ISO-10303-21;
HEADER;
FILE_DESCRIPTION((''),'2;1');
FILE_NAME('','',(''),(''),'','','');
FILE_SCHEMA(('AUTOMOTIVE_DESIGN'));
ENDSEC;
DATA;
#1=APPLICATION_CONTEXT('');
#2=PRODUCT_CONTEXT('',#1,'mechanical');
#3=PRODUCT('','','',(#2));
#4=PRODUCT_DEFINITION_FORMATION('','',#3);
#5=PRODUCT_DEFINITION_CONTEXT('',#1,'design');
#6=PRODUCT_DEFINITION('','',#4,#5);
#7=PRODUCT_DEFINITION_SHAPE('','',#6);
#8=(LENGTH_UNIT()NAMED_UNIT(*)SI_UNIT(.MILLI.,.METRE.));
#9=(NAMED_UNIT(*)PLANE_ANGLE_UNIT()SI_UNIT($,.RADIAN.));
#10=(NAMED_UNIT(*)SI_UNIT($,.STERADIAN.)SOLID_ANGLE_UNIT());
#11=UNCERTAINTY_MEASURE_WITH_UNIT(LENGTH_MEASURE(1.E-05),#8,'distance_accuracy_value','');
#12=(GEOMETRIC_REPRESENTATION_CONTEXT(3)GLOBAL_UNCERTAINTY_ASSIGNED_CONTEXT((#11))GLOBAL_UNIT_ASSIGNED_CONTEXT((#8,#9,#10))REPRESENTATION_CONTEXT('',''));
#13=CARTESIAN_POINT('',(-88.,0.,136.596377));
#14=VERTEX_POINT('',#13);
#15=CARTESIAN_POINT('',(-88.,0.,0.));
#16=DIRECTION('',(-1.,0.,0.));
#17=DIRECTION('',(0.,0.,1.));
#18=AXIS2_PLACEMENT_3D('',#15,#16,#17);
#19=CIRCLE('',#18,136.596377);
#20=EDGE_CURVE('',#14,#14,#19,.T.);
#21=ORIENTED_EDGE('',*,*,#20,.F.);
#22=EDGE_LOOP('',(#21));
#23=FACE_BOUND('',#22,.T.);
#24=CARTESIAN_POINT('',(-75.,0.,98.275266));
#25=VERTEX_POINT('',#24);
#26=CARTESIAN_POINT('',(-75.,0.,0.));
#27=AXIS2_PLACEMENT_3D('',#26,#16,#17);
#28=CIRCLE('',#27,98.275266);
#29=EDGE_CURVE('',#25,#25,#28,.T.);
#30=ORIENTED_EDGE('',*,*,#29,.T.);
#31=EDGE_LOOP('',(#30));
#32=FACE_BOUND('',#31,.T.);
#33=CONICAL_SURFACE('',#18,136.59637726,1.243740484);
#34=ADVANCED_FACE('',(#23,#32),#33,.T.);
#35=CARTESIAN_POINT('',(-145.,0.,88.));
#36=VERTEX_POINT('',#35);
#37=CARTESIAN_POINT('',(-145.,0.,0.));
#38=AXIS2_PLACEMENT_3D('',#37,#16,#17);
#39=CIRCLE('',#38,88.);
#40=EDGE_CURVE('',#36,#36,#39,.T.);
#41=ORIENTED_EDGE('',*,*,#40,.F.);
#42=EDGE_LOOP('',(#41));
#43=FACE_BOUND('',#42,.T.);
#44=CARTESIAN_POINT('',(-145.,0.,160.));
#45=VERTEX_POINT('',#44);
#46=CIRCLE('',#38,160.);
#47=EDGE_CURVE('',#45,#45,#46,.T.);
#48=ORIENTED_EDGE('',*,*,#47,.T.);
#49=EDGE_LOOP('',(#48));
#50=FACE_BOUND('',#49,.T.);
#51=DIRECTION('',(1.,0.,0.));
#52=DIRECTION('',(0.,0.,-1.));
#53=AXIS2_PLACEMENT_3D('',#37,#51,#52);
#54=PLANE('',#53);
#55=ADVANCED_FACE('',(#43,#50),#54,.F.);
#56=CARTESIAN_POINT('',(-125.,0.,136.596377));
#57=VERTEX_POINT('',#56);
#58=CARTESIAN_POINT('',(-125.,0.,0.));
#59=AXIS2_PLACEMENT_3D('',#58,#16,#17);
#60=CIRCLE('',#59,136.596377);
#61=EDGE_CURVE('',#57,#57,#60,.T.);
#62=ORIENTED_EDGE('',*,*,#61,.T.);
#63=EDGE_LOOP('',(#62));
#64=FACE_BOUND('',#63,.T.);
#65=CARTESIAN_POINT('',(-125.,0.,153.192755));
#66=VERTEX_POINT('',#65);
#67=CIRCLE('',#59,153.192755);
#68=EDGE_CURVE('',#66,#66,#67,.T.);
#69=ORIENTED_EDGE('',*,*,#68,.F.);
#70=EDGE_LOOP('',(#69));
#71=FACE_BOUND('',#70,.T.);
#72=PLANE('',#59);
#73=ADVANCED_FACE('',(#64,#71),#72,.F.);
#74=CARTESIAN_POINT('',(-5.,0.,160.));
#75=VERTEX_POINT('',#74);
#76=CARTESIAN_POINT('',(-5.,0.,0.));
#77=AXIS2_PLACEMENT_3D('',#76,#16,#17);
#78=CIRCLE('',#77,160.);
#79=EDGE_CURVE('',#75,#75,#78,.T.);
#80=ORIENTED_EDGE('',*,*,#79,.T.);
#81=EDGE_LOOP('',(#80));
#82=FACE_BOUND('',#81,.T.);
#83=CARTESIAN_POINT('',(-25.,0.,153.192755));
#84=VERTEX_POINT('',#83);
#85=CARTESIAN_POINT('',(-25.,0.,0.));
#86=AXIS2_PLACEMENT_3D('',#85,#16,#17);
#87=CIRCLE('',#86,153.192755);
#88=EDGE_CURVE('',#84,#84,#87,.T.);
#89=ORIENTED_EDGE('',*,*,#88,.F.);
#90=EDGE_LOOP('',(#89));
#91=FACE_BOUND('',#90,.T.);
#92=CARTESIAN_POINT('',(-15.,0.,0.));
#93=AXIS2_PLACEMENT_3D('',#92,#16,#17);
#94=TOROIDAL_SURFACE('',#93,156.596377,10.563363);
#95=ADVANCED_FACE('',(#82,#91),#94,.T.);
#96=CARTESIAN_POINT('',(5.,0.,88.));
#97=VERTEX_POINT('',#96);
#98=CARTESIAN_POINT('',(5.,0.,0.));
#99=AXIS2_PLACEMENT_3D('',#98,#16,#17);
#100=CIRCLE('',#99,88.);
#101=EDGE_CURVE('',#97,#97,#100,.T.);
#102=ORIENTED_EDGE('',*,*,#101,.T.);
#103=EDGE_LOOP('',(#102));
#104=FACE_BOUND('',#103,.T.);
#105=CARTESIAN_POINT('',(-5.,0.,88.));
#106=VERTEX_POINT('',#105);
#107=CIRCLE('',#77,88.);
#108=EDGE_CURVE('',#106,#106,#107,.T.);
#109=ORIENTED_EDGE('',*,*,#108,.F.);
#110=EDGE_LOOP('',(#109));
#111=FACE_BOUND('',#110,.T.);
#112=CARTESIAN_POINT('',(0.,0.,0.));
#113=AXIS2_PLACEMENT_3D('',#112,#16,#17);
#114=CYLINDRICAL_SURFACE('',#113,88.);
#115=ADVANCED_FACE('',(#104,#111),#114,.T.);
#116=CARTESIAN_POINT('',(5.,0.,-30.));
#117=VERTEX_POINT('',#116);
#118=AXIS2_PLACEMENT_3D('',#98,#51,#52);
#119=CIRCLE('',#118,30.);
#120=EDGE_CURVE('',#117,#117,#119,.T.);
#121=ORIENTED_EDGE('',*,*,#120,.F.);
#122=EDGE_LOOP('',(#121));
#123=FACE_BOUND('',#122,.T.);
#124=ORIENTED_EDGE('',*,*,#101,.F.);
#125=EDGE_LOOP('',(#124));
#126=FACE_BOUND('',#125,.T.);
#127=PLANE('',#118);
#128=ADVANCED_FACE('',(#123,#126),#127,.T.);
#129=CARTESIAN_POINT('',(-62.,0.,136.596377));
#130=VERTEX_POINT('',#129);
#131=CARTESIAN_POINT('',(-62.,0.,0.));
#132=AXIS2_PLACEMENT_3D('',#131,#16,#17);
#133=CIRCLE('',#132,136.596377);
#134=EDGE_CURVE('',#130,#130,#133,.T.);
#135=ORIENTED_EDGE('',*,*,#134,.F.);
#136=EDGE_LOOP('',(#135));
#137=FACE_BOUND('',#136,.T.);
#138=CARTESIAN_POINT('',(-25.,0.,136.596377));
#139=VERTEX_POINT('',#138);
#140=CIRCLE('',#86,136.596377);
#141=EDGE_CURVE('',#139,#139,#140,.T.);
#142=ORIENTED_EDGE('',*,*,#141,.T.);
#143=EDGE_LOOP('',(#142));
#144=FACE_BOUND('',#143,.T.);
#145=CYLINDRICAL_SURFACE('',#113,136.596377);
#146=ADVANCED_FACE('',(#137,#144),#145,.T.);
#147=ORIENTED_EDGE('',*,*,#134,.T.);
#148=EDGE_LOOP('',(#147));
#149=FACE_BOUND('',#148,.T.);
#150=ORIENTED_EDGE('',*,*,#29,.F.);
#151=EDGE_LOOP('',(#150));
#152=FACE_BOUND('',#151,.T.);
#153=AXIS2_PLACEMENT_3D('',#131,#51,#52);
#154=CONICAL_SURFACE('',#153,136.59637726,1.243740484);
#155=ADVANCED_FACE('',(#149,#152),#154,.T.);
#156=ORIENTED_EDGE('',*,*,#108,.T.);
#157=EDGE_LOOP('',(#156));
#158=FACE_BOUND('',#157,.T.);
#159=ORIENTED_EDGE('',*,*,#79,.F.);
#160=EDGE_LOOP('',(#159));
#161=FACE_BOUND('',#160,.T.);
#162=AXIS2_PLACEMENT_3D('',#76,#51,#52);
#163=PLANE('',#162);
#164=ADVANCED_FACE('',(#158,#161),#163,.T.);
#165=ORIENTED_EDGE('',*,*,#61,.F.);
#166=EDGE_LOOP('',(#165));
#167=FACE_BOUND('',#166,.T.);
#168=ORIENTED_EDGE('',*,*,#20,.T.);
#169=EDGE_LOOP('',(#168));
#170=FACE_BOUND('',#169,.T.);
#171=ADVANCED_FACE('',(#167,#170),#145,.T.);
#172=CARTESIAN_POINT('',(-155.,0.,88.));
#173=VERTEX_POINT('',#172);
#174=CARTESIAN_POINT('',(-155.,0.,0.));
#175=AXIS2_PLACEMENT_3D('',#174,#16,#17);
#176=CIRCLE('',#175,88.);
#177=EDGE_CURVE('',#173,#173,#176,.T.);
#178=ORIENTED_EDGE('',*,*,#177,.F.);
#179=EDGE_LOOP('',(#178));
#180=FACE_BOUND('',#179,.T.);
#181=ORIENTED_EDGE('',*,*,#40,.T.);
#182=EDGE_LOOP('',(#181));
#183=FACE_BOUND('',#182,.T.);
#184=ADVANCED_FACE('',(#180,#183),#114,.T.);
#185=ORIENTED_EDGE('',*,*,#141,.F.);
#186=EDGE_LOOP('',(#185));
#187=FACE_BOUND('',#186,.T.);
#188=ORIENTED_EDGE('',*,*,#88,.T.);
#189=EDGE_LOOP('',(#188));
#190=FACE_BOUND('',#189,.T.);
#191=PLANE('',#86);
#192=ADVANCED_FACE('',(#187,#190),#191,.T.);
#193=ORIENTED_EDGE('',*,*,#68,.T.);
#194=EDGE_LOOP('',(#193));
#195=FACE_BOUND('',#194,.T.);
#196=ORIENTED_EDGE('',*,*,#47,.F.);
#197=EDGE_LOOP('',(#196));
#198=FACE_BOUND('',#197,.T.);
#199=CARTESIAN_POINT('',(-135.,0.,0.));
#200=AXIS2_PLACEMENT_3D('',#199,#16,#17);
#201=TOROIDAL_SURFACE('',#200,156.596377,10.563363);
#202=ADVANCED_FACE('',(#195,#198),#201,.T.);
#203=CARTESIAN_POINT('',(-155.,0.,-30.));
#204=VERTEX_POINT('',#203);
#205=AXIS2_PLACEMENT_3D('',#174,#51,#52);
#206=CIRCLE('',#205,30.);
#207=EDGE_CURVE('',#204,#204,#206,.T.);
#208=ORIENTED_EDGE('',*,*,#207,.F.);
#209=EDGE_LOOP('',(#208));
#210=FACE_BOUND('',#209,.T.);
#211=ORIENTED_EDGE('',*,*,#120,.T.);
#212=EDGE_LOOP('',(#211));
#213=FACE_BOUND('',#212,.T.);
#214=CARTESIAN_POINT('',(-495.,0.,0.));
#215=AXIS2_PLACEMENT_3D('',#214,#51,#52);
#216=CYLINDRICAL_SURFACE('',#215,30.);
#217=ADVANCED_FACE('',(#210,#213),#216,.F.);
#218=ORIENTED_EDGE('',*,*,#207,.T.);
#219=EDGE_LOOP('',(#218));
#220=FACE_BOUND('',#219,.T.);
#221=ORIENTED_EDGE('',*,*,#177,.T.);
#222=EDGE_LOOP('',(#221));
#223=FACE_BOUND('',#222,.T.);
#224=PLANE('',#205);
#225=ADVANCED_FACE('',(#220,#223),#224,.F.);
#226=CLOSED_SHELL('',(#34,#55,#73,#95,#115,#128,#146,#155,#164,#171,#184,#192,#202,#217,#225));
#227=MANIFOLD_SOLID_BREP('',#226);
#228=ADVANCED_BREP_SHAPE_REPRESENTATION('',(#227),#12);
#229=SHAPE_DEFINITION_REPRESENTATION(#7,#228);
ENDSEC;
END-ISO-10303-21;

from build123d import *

# Parameters (mm, degrees)
SKETCH1_W          = 10
SKETCH1_H          = 88
SKETCH1_W_2        = 37
SKETCH1_H_2        = 136.59637726
SKETCH2_R          = 30
CUT_EXTRUDE1_DEPTH = 500


with BuildPart() as part:
    # Sketch1 → Revolve9 (revolve)
    with BuildSketch(Plane.XY, mode=Mode.PRIVATE) as revolve9_sk:
        with Locations((-150, 44)):
            Rectangle(SKETCH1_W, SKETCH1_H)
        with BuildLine():
            Line((-145, 0), (-125, 0))
            Line((-125, 0), (-125, 136.59637726))
            Line((-125, 136.59637726), (-125, 153.19275452))
            ThreePointArc((-125, 153.19275452), (-131.59637726, 166.59637726), (-145, 160))
            Line((-145, 160), (-145, 88))
            Line((-145, 88), (-145, 0))
        make_face()
        with Locations((-106.5, 68.29818863)):
            Rectangle(SKETCH1_W_2, SKETCH1_H_2)
        Polygon((-62, 0), (-62, 136.59637726), (-75, 98.275266021), (-88, 136.59637726), (-88, 0), align=None)
        with Locations((-43.5, 68.29818863)):
            Rectangle(SKETCH1_W_2, SKETCH1_H_2)
        with BuildLine():
            Line((-5, 88), (-5, 160))
            ThreePointArc((-5, 160), (-18.40362274, 166.59637726), (-25, 153.19275452))
            Line((-25, 153.19275452), (-25, 136.59637726))
            Line((-25, 136.59637726), (-25, 0))
            Line((-25, 0), (-5, 0))
            Line((-5, 0), (-5, 88))
        make_face()
        with Locations((0, 44)):
            Rectangle(SKETCH1_W, SKETCH1_H)
    revolve(revolve9_sk.sketch.rotate(Axis((0, 0, 0), (1, 0, 0)), 90), axis=Axis((0, 0, 0), (1, 0, 0)))

    # Sketch2 → Cut-Extrude1 (cut)
    with BuildSketch(Plane(origin=(5, 0, 0), x_dir=(0, 0, -1), z_dir=(1, 0, 0))):
        Circle(SKETCH2_R)
    extrude(amount=-CUT_EXTRUDE1_DEPTH, mode=Mode.SUBTRACT)


solid = part.part
